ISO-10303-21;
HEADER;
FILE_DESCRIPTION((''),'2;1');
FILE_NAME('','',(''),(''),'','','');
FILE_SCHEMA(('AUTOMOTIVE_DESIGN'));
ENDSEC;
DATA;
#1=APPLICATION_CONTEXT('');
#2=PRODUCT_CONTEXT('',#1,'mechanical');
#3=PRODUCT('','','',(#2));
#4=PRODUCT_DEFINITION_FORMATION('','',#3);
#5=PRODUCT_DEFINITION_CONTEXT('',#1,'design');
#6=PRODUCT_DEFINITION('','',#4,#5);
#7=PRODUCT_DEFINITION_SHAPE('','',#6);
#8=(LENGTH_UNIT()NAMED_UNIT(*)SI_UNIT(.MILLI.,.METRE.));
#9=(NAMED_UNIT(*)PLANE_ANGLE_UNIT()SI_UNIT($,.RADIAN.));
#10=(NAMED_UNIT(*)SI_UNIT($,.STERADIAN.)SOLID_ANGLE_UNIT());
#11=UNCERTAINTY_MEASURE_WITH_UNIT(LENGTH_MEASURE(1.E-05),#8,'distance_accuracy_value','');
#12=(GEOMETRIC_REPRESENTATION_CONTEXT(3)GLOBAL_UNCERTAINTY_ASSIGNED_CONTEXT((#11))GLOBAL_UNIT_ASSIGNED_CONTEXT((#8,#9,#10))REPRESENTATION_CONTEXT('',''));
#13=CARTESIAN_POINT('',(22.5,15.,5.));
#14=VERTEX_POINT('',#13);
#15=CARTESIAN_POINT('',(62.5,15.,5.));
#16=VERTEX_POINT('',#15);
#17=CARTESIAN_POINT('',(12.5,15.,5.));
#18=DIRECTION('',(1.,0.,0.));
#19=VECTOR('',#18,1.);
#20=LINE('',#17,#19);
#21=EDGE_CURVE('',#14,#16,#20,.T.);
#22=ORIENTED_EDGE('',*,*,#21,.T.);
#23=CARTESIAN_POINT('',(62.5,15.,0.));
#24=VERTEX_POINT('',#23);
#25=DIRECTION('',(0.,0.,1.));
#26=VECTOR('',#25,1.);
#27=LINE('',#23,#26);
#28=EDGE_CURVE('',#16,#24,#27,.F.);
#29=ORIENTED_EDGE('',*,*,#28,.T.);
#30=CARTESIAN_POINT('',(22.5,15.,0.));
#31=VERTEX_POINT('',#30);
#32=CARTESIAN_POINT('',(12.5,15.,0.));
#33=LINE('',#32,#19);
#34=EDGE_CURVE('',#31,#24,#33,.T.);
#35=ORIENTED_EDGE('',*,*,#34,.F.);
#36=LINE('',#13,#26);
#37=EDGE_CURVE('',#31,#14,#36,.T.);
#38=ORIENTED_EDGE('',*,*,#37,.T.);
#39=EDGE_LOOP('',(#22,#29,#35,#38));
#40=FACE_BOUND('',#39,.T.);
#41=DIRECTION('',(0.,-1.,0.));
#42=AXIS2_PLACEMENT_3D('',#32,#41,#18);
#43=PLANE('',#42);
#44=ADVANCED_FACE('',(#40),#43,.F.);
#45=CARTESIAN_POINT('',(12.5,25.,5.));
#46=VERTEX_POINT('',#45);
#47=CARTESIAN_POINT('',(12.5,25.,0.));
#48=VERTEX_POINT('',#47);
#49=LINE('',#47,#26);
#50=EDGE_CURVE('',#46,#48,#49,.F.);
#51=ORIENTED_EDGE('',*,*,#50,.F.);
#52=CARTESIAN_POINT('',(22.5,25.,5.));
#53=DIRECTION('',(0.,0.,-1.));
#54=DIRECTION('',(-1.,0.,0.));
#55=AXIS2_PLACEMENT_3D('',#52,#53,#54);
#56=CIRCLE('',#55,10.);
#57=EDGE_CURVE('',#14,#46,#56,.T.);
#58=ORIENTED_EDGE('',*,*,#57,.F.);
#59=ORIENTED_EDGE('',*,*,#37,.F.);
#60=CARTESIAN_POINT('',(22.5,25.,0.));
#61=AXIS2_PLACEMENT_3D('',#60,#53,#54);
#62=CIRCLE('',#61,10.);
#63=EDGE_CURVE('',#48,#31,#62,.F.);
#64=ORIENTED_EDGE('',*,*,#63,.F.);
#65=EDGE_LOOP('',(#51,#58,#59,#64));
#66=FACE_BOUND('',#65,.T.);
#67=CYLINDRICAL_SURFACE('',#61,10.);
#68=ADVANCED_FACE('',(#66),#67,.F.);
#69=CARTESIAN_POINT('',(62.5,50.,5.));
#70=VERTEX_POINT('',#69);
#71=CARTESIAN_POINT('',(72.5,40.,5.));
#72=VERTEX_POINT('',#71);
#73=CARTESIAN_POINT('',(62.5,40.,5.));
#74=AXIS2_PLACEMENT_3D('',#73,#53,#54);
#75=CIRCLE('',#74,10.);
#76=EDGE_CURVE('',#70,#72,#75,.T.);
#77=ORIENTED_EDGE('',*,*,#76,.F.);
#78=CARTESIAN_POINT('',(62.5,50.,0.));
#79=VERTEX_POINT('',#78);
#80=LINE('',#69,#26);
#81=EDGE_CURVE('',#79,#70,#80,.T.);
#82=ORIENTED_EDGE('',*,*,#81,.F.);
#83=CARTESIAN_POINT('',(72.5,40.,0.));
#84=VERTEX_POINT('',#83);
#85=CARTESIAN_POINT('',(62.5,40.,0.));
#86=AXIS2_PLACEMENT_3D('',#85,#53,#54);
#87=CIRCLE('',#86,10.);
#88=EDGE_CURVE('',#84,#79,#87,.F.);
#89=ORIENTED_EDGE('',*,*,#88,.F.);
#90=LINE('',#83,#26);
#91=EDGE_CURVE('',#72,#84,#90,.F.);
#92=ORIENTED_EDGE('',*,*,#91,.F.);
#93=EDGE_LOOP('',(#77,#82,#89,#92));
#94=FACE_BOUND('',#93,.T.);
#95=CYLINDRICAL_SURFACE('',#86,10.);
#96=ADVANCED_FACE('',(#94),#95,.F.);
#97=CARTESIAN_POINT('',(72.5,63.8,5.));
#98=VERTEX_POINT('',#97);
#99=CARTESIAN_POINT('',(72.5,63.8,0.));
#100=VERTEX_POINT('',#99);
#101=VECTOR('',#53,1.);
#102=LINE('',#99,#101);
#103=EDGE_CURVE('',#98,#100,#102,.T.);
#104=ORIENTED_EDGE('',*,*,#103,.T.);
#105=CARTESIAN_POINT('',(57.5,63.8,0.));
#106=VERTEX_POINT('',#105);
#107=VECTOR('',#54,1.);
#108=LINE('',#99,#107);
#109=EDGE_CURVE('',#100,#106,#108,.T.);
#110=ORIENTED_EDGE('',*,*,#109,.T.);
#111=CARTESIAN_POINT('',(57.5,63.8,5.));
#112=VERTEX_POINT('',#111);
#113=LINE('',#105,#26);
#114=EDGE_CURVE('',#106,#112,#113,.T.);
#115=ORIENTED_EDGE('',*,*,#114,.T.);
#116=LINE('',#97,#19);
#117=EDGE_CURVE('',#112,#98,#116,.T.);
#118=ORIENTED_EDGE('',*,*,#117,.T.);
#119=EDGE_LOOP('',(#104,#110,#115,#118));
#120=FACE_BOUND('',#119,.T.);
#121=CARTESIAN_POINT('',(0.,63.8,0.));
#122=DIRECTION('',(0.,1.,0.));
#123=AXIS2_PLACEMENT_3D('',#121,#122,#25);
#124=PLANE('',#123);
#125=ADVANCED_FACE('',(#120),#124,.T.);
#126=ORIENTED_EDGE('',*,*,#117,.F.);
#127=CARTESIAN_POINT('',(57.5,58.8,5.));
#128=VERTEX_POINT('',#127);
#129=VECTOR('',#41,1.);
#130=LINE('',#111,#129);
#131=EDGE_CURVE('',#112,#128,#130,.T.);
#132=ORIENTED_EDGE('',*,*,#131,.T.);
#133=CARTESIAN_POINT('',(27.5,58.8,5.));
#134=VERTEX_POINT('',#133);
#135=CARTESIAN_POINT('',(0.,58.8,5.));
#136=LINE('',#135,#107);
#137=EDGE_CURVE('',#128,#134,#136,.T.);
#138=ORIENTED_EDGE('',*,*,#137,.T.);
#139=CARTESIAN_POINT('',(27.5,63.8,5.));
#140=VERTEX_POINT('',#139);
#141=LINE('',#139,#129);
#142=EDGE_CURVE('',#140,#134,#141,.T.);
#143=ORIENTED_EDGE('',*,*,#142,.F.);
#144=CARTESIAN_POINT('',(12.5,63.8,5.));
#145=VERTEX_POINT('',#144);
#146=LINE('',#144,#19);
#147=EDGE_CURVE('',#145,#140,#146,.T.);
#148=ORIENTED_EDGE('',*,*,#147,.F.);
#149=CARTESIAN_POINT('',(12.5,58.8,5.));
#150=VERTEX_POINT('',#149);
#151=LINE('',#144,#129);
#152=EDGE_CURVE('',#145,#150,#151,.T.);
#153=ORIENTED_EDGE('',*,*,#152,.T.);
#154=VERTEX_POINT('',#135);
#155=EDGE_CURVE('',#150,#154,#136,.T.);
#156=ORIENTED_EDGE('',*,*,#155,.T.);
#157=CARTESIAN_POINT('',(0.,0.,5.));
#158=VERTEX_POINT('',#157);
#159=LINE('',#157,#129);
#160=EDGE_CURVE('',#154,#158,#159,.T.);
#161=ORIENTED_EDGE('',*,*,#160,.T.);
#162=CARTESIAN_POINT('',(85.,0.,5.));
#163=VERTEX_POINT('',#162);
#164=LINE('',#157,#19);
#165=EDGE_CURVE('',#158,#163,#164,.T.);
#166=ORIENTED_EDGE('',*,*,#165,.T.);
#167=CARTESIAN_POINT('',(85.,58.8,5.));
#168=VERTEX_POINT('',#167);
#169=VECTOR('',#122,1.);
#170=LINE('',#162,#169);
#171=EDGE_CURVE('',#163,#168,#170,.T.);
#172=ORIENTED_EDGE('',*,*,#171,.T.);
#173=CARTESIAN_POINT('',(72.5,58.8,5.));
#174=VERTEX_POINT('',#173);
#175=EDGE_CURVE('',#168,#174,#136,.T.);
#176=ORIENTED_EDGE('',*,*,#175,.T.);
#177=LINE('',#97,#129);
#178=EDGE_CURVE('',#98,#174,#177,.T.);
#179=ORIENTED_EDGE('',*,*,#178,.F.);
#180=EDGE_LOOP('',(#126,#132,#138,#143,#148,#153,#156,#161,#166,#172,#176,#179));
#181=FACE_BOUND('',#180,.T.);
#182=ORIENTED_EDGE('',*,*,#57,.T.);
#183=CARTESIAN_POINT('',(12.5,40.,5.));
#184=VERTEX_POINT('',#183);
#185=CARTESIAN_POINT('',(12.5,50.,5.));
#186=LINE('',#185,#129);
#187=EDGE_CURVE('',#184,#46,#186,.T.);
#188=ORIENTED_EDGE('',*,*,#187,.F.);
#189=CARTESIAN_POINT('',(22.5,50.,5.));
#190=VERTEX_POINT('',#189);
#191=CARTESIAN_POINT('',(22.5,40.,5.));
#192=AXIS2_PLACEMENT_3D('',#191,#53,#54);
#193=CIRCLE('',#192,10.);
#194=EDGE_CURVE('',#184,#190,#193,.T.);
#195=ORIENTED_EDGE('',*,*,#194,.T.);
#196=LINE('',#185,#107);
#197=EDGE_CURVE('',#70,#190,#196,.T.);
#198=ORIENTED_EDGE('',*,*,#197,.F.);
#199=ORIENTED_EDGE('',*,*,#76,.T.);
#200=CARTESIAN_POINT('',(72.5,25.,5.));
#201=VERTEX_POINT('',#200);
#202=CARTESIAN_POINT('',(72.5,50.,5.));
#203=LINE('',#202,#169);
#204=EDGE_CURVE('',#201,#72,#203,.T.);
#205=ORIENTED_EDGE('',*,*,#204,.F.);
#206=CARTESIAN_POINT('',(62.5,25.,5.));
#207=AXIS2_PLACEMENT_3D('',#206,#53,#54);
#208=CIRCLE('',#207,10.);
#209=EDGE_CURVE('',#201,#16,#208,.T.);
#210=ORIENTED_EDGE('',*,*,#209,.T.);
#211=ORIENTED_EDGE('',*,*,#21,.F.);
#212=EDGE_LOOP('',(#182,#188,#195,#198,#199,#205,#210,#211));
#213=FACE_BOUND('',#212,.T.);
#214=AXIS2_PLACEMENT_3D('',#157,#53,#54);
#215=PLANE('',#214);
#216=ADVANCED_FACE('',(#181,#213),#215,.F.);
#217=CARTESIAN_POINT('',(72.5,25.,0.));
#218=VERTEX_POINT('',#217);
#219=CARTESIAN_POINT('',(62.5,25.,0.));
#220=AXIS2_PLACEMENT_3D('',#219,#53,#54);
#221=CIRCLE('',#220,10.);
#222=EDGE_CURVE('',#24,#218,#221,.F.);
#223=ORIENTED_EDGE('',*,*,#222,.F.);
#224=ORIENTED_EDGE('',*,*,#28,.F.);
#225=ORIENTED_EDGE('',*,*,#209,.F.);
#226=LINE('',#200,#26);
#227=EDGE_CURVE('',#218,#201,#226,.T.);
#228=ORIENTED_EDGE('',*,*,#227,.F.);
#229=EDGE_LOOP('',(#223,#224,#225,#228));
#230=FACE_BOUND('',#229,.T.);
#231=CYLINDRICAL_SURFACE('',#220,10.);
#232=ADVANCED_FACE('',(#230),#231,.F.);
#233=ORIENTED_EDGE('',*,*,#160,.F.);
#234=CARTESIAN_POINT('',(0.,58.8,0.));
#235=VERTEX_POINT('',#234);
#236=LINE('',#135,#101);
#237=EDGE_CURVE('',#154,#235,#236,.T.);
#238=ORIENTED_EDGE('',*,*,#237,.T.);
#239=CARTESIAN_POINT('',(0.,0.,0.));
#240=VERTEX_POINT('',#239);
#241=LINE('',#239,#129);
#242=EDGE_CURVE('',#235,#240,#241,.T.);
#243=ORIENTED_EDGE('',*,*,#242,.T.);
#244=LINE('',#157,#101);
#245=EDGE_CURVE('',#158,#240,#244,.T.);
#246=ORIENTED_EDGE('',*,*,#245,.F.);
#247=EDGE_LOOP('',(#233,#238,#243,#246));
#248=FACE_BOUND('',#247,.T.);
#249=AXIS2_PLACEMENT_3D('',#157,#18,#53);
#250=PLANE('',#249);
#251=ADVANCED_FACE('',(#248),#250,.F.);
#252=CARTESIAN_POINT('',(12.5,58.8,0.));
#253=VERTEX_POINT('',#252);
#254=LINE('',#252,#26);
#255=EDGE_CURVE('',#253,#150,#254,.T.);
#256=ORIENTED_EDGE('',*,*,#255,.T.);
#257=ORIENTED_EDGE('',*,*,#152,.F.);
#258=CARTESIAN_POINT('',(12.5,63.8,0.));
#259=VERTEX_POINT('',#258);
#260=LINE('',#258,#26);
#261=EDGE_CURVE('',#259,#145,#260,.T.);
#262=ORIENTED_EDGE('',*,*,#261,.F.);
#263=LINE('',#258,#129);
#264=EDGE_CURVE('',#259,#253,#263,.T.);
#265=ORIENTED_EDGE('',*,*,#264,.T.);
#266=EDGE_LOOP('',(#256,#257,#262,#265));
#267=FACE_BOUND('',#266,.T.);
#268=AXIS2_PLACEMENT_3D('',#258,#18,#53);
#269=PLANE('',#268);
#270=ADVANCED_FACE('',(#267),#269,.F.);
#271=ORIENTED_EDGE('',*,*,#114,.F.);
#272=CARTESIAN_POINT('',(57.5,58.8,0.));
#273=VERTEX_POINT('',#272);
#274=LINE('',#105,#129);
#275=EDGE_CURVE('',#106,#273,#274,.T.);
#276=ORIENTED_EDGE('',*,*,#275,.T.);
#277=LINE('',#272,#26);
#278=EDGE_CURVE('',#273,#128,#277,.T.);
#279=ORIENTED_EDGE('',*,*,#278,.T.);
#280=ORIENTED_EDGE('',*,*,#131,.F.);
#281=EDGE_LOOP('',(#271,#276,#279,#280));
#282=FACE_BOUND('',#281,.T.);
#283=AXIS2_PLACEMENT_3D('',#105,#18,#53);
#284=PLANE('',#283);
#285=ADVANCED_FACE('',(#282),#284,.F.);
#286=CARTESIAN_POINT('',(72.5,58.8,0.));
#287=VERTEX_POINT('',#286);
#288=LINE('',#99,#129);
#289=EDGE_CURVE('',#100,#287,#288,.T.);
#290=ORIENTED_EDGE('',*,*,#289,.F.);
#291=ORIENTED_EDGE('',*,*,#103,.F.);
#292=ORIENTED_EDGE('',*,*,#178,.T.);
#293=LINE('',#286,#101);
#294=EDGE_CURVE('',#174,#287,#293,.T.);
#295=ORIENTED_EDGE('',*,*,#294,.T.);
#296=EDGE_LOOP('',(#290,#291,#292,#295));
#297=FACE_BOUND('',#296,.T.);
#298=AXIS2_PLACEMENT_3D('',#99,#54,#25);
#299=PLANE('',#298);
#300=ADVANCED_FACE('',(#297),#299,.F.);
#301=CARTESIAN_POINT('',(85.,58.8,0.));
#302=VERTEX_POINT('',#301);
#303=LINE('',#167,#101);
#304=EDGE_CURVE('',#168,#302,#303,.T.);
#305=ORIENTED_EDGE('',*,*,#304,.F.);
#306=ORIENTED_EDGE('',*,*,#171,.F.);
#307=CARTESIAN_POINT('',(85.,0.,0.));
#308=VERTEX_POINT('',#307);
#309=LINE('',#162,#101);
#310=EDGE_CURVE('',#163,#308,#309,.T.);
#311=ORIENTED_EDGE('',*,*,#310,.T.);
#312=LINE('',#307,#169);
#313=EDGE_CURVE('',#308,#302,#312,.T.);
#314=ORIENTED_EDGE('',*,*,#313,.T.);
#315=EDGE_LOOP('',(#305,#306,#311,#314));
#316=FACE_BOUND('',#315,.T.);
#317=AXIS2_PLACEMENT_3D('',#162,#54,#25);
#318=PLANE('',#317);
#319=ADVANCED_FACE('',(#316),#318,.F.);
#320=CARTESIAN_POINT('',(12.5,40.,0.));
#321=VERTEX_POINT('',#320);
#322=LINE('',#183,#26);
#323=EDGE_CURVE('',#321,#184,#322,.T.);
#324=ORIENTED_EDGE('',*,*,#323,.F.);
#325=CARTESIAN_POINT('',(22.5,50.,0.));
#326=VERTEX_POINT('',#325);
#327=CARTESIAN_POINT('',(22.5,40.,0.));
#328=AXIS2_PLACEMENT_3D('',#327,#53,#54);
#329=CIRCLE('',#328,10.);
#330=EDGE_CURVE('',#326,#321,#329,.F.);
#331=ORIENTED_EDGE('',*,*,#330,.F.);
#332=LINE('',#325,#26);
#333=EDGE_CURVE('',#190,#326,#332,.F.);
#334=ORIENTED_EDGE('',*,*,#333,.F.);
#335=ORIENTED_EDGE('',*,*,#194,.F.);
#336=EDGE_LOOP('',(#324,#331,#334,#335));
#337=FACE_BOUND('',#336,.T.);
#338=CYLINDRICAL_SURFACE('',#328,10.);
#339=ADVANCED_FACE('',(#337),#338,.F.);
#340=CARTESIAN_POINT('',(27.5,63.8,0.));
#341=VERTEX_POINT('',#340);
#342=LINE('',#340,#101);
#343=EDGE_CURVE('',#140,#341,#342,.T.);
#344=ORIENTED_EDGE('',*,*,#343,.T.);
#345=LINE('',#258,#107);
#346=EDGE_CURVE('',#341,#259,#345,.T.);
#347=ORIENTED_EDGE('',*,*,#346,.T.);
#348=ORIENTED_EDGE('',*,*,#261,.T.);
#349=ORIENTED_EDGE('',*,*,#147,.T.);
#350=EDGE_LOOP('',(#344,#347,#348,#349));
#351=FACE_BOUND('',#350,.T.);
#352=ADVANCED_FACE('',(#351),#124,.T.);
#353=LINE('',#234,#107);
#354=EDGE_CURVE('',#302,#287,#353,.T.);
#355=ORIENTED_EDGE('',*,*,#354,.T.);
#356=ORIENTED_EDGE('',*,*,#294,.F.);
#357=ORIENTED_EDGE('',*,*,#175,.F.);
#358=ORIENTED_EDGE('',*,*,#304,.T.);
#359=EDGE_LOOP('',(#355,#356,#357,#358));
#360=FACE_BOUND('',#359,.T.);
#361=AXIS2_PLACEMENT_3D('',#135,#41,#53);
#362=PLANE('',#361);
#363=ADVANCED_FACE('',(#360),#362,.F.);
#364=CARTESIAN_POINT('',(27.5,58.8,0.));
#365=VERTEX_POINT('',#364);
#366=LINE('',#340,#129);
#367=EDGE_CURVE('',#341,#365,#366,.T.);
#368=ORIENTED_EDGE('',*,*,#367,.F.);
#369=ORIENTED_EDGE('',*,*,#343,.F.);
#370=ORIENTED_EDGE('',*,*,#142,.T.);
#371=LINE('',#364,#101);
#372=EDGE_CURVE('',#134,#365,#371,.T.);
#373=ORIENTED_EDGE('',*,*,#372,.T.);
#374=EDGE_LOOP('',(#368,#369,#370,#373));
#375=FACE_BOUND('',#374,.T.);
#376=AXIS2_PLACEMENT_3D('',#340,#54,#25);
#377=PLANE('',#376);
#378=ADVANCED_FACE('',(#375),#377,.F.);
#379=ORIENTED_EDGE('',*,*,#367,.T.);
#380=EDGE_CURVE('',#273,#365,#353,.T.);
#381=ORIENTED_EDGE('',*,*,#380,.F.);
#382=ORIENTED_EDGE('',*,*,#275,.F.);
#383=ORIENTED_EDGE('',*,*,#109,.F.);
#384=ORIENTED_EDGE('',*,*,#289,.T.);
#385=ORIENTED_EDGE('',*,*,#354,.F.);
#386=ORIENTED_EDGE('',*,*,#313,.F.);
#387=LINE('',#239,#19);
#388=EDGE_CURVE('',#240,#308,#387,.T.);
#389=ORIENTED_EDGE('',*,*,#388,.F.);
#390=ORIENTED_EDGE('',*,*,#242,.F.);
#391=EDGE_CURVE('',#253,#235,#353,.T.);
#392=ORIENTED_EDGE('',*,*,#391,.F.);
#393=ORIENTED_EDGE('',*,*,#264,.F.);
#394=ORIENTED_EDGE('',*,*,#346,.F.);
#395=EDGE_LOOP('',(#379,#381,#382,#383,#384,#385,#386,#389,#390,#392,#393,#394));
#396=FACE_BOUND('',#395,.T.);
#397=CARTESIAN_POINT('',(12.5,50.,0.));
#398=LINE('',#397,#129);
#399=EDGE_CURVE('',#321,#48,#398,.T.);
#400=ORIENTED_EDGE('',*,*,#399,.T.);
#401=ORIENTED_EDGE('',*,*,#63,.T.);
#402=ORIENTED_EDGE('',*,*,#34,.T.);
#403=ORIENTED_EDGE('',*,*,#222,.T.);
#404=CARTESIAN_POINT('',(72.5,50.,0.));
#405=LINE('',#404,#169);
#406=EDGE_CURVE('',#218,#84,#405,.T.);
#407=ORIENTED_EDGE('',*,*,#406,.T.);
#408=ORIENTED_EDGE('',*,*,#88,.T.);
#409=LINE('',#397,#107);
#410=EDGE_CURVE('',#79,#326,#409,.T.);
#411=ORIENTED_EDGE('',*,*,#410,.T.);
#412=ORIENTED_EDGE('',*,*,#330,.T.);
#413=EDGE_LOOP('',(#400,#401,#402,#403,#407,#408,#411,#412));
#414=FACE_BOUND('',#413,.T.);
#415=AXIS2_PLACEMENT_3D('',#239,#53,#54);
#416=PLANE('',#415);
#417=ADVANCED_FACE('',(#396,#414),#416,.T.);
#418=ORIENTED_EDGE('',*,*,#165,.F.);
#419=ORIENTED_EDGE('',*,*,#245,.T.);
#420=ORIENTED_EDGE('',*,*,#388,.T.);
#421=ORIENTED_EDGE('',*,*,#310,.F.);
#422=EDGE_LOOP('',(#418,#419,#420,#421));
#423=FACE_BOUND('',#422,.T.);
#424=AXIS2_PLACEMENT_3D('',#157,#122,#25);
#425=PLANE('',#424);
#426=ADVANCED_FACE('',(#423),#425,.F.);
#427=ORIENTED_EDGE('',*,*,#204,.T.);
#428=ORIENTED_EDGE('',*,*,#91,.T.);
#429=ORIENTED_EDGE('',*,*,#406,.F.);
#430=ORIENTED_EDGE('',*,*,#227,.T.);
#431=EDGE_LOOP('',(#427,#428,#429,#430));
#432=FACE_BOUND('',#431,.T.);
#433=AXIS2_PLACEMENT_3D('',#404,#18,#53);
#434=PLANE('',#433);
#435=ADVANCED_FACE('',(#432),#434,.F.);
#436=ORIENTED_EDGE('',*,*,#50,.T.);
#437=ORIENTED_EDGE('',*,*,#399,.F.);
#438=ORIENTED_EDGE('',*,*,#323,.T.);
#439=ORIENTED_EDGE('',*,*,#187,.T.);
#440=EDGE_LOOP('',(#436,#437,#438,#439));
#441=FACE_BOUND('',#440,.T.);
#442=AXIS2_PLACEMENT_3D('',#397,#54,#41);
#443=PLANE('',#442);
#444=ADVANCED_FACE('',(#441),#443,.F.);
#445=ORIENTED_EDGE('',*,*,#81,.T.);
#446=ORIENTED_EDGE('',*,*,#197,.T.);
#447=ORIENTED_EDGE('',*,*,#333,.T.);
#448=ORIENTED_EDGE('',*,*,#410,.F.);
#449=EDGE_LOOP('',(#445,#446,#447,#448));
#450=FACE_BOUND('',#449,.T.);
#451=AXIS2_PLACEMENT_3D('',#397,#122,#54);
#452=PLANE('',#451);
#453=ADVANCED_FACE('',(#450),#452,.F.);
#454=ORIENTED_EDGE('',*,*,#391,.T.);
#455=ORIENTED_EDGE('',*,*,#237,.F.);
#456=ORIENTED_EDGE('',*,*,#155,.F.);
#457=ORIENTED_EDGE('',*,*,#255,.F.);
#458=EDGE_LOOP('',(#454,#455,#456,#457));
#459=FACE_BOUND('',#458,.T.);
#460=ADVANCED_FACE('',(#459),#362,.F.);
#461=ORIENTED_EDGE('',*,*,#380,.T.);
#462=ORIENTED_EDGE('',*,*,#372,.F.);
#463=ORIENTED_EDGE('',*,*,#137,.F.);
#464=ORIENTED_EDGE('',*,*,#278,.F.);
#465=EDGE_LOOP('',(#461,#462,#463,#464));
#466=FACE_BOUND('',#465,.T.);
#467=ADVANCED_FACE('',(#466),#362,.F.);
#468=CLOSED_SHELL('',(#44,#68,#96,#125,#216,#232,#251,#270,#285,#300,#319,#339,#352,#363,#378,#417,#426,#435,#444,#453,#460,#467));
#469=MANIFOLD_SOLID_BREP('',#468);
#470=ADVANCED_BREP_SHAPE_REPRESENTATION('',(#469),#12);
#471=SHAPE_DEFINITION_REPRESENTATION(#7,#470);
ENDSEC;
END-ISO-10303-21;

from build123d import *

# Parameters (mm, degrees)
SKIZZE1_W                       = 85
SKIZZE1_H                       = 58.8
AUFSATZ_LINEAR_AUSTRAGEN1_DEPTH = 5
SKIZZE2_W                       = 60
SKIZZE2_H                       = 35
SCHNITT_LINEAR_AUSTRAGEN1_DEPTH = 104.476760676
VERRUNDUNG1_R                   = 10
SKIZZE3_W                       = 15
SKIZZE3_H                       = 5
AUFSATZ_LINEAR_AUSTRAGEN2_DEPTH = 5


with BuildPart() as part:
    # Skizze1 → Aufsatz-Linear austragen1 (new body)
    with BuildSketch(Plane.XY):
        with Locations((42.5, 29.4)):
            Rectangle(SKIZZE1_W, SKIZZE1_H)
    extrude(amount=AUFSATZ_LINEAR_AUSTRAGEN1_DEPTH)

    # Skizze2 → Schnitt-Linear austragen1 (cut, through all)
    with BuildSketch(Plane.XY.offset(5)):
        with Locations((42.5, 32.5)):
            Rectangle(SKIZZE2_W, SKIZZE2_H)
    extrude(amount=-SCHNITT_LINEAR_AUSTRAGEN1_DEPTH, mode=Mode.SUBTRACT)

    # Verrundung1
    verrundung1_edges = [part.edges().sort_by_distance(p)[0] for p in [
        (12.5, 15, 2.5),
        (12.5, 50, 2.5),
        (72.5, 50, 2.5),
        (72.5, 15, 2.5),
    ]]
    fillet(verrundung1_edges, radius=VERRUNDUNG1_R)

    # Skizze3 → Aufsatz-Linear austragen2 (add)
    with BuildSketch(Plane(origin=(0, 58.8, 0), x_dir=(1, 0, 0), z_dir=(0, 1, 0))):
        with Locations((65, -2.5)):
            Rectangle(SKIZZE3_W, SKIZZE3_H)
        with Locations((20, -2.5)):
            Rectangle(SKIZZE3_W, SKIZZE3_H)
    extrude(amount=AUFSATZ_LINEAR_AUSTRAGEN2_DEPTH)


solid = part.part
